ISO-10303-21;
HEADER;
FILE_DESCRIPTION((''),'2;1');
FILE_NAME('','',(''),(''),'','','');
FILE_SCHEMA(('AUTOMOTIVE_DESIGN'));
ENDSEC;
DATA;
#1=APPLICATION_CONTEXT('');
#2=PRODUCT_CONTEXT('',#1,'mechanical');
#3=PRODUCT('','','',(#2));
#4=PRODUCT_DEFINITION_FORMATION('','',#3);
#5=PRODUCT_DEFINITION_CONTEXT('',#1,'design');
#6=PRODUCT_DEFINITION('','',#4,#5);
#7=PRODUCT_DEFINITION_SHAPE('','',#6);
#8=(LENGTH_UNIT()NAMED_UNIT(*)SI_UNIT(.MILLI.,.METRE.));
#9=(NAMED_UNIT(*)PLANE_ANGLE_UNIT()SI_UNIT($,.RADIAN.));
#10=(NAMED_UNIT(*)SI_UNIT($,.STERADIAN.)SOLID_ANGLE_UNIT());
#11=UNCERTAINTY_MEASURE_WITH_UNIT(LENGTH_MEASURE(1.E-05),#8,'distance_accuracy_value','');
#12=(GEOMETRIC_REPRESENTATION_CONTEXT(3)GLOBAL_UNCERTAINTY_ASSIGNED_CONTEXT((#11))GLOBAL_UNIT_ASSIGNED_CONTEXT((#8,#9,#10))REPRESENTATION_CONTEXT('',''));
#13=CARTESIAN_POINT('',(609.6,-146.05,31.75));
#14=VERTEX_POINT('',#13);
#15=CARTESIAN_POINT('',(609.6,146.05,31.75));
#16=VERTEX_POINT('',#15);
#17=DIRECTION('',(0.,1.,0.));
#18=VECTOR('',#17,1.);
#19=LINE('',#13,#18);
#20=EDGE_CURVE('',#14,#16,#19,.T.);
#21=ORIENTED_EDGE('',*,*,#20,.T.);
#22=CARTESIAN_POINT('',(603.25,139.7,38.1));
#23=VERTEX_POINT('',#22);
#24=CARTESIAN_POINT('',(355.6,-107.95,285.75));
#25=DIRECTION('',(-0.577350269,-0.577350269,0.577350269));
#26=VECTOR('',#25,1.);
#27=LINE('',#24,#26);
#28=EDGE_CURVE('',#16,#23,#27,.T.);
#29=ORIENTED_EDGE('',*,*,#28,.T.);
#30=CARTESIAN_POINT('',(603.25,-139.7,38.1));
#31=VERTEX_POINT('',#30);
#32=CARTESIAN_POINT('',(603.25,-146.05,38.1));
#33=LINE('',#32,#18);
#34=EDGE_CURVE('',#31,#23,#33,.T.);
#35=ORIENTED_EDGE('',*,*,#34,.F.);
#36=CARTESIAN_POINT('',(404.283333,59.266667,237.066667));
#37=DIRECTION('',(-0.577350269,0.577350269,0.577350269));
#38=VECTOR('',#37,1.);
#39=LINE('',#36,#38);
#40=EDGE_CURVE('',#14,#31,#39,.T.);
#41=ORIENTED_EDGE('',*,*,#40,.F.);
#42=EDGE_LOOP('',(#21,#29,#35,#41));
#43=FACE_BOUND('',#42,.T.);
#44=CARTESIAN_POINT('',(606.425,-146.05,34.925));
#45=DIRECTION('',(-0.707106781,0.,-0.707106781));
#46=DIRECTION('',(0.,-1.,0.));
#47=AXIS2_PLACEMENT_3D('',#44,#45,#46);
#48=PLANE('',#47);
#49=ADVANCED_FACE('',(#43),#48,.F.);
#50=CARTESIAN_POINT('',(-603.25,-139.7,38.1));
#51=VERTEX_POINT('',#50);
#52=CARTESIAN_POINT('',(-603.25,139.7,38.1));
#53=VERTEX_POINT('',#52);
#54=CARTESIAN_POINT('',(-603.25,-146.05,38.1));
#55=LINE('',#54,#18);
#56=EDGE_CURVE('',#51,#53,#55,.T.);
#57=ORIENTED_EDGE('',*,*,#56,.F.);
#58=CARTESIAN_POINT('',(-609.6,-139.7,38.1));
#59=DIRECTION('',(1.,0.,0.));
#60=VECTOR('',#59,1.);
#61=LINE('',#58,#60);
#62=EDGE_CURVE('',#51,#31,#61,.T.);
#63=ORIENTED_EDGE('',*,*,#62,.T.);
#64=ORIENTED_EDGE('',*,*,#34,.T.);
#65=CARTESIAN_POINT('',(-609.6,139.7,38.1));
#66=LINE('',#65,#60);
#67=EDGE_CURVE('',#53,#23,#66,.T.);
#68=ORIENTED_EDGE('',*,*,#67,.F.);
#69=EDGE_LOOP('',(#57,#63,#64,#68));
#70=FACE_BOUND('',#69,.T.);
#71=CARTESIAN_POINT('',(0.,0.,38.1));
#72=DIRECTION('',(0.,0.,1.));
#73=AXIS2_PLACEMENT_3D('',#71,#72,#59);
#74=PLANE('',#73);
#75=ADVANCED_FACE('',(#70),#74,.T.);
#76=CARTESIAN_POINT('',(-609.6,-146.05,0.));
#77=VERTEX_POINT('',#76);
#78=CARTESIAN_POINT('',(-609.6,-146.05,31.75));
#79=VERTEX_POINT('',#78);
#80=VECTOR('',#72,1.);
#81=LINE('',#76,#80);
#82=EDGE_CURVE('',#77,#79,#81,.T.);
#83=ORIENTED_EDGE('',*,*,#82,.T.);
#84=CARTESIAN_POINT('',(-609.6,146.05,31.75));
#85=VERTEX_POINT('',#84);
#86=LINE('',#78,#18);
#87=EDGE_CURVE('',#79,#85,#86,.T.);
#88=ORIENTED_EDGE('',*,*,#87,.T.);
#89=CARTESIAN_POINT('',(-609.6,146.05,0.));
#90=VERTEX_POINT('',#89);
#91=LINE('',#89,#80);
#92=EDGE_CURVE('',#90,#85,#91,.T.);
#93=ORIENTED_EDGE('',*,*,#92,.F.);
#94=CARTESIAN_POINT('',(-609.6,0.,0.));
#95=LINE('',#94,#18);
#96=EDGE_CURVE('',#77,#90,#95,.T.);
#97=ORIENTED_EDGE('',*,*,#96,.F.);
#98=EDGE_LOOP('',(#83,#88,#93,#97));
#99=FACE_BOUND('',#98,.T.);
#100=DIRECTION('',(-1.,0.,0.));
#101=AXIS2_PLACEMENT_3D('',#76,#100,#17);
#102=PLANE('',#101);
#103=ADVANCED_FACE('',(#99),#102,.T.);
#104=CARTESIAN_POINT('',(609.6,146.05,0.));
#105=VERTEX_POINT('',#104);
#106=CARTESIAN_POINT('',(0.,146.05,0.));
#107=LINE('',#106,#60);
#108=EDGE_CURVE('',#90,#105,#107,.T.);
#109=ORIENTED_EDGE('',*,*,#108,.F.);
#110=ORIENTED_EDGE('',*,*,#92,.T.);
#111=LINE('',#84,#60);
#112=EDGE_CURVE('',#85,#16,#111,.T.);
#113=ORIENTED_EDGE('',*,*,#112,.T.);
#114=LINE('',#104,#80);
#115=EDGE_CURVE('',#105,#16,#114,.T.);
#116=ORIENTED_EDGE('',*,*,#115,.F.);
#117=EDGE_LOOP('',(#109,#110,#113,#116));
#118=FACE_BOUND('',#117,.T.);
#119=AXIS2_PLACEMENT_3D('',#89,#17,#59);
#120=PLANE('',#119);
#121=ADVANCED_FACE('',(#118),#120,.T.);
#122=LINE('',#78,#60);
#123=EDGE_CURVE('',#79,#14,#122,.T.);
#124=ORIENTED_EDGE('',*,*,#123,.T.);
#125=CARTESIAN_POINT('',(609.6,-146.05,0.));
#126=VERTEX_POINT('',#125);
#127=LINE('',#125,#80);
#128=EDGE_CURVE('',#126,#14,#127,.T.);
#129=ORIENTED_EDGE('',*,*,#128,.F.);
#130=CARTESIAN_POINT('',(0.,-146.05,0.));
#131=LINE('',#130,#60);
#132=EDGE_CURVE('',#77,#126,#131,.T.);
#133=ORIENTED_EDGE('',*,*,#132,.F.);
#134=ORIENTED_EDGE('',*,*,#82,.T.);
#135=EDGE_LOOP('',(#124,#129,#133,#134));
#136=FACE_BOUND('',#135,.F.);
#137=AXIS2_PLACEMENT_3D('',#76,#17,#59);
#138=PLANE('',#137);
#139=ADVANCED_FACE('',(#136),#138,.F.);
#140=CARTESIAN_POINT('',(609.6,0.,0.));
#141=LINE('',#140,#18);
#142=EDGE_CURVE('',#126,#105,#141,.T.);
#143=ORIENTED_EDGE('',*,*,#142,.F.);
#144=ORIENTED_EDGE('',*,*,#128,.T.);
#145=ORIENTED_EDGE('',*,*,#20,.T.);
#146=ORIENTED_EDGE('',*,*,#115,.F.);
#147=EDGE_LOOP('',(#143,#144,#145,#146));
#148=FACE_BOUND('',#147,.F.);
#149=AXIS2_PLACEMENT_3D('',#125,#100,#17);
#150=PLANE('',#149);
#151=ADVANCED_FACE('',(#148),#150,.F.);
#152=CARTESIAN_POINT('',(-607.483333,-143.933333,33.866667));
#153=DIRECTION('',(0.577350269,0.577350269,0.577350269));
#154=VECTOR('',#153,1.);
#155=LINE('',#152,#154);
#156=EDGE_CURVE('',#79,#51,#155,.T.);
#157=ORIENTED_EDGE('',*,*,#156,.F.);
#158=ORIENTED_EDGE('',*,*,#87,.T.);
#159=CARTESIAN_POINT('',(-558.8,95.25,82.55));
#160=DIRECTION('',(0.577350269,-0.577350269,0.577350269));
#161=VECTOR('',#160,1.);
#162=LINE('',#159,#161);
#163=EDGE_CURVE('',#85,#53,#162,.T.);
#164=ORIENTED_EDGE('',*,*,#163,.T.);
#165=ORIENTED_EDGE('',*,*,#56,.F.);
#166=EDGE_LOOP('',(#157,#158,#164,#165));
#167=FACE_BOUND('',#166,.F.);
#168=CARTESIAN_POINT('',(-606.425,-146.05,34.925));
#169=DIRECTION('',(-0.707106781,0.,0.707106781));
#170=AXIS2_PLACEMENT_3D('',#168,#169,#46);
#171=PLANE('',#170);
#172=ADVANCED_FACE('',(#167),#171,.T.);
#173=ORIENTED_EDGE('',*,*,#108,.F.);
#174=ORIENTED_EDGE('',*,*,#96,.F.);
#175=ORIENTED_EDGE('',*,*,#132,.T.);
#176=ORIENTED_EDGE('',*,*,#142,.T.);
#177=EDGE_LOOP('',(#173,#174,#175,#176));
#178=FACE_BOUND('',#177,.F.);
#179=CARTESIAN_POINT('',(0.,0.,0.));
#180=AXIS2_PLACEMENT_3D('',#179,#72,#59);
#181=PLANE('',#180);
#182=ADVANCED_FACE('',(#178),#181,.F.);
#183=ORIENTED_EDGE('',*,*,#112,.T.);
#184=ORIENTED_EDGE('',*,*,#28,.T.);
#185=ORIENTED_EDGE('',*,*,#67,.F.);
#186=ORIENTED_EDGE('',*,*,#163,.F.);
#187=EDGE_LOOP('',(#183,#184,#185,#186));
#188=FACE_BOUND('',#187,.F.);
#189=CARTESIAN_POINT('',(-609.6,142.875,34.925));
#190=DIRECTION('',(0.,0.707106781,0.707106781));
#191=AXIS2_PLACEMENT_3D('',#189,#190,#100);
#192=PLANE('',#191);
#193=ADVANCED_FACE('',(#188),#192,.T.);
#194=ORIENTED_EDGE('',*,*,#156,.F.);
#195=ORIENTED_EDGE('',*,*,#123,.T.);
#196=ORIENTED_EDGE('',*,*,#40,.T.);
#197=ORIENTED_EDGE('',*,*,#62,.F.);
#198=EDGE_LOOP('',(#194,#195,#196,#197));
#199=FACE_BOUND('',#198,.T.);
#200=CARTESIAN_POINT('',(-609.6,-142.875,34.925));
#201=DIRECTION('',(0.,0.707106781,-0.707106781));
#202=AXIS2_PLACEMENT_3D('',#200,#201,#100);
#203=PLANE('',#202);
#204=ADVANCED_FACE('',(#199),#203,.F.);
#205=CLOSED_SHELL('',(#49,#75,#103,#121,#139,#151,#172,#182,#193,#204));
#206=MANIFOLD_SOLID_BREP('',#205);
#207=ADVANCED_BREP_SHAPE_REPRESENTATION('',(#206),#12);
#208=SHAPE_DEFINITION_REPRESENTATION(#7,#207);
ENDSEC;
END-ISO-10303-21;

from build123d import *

# Parameters (mm, degrees)
F0_W     = 1219.2
F0_H     = 292.1
F1_DEPTH = 38.1
F2_SIZE  = 6.35


with BuildPart() as f1:
    # F0 (on Top) → F1 (new body)
    with BuildSketch(Plane.XY):
        Rectangle(F0_W, F0_H)
    extrude(amount=F1_DEPTH)

    # F2
    f2_edges = [f1.edges().sort_by_distance(p)[0] for p in [
        (0, 146.05, 38.1),
        (609.6, 0, 38.1),
        (0, -146.05, 38.1),
        (-609.6, 0, 38.1),
    ]]
    chamfer(f2_edges, length=F2_SIZE)


solid = f1.part
